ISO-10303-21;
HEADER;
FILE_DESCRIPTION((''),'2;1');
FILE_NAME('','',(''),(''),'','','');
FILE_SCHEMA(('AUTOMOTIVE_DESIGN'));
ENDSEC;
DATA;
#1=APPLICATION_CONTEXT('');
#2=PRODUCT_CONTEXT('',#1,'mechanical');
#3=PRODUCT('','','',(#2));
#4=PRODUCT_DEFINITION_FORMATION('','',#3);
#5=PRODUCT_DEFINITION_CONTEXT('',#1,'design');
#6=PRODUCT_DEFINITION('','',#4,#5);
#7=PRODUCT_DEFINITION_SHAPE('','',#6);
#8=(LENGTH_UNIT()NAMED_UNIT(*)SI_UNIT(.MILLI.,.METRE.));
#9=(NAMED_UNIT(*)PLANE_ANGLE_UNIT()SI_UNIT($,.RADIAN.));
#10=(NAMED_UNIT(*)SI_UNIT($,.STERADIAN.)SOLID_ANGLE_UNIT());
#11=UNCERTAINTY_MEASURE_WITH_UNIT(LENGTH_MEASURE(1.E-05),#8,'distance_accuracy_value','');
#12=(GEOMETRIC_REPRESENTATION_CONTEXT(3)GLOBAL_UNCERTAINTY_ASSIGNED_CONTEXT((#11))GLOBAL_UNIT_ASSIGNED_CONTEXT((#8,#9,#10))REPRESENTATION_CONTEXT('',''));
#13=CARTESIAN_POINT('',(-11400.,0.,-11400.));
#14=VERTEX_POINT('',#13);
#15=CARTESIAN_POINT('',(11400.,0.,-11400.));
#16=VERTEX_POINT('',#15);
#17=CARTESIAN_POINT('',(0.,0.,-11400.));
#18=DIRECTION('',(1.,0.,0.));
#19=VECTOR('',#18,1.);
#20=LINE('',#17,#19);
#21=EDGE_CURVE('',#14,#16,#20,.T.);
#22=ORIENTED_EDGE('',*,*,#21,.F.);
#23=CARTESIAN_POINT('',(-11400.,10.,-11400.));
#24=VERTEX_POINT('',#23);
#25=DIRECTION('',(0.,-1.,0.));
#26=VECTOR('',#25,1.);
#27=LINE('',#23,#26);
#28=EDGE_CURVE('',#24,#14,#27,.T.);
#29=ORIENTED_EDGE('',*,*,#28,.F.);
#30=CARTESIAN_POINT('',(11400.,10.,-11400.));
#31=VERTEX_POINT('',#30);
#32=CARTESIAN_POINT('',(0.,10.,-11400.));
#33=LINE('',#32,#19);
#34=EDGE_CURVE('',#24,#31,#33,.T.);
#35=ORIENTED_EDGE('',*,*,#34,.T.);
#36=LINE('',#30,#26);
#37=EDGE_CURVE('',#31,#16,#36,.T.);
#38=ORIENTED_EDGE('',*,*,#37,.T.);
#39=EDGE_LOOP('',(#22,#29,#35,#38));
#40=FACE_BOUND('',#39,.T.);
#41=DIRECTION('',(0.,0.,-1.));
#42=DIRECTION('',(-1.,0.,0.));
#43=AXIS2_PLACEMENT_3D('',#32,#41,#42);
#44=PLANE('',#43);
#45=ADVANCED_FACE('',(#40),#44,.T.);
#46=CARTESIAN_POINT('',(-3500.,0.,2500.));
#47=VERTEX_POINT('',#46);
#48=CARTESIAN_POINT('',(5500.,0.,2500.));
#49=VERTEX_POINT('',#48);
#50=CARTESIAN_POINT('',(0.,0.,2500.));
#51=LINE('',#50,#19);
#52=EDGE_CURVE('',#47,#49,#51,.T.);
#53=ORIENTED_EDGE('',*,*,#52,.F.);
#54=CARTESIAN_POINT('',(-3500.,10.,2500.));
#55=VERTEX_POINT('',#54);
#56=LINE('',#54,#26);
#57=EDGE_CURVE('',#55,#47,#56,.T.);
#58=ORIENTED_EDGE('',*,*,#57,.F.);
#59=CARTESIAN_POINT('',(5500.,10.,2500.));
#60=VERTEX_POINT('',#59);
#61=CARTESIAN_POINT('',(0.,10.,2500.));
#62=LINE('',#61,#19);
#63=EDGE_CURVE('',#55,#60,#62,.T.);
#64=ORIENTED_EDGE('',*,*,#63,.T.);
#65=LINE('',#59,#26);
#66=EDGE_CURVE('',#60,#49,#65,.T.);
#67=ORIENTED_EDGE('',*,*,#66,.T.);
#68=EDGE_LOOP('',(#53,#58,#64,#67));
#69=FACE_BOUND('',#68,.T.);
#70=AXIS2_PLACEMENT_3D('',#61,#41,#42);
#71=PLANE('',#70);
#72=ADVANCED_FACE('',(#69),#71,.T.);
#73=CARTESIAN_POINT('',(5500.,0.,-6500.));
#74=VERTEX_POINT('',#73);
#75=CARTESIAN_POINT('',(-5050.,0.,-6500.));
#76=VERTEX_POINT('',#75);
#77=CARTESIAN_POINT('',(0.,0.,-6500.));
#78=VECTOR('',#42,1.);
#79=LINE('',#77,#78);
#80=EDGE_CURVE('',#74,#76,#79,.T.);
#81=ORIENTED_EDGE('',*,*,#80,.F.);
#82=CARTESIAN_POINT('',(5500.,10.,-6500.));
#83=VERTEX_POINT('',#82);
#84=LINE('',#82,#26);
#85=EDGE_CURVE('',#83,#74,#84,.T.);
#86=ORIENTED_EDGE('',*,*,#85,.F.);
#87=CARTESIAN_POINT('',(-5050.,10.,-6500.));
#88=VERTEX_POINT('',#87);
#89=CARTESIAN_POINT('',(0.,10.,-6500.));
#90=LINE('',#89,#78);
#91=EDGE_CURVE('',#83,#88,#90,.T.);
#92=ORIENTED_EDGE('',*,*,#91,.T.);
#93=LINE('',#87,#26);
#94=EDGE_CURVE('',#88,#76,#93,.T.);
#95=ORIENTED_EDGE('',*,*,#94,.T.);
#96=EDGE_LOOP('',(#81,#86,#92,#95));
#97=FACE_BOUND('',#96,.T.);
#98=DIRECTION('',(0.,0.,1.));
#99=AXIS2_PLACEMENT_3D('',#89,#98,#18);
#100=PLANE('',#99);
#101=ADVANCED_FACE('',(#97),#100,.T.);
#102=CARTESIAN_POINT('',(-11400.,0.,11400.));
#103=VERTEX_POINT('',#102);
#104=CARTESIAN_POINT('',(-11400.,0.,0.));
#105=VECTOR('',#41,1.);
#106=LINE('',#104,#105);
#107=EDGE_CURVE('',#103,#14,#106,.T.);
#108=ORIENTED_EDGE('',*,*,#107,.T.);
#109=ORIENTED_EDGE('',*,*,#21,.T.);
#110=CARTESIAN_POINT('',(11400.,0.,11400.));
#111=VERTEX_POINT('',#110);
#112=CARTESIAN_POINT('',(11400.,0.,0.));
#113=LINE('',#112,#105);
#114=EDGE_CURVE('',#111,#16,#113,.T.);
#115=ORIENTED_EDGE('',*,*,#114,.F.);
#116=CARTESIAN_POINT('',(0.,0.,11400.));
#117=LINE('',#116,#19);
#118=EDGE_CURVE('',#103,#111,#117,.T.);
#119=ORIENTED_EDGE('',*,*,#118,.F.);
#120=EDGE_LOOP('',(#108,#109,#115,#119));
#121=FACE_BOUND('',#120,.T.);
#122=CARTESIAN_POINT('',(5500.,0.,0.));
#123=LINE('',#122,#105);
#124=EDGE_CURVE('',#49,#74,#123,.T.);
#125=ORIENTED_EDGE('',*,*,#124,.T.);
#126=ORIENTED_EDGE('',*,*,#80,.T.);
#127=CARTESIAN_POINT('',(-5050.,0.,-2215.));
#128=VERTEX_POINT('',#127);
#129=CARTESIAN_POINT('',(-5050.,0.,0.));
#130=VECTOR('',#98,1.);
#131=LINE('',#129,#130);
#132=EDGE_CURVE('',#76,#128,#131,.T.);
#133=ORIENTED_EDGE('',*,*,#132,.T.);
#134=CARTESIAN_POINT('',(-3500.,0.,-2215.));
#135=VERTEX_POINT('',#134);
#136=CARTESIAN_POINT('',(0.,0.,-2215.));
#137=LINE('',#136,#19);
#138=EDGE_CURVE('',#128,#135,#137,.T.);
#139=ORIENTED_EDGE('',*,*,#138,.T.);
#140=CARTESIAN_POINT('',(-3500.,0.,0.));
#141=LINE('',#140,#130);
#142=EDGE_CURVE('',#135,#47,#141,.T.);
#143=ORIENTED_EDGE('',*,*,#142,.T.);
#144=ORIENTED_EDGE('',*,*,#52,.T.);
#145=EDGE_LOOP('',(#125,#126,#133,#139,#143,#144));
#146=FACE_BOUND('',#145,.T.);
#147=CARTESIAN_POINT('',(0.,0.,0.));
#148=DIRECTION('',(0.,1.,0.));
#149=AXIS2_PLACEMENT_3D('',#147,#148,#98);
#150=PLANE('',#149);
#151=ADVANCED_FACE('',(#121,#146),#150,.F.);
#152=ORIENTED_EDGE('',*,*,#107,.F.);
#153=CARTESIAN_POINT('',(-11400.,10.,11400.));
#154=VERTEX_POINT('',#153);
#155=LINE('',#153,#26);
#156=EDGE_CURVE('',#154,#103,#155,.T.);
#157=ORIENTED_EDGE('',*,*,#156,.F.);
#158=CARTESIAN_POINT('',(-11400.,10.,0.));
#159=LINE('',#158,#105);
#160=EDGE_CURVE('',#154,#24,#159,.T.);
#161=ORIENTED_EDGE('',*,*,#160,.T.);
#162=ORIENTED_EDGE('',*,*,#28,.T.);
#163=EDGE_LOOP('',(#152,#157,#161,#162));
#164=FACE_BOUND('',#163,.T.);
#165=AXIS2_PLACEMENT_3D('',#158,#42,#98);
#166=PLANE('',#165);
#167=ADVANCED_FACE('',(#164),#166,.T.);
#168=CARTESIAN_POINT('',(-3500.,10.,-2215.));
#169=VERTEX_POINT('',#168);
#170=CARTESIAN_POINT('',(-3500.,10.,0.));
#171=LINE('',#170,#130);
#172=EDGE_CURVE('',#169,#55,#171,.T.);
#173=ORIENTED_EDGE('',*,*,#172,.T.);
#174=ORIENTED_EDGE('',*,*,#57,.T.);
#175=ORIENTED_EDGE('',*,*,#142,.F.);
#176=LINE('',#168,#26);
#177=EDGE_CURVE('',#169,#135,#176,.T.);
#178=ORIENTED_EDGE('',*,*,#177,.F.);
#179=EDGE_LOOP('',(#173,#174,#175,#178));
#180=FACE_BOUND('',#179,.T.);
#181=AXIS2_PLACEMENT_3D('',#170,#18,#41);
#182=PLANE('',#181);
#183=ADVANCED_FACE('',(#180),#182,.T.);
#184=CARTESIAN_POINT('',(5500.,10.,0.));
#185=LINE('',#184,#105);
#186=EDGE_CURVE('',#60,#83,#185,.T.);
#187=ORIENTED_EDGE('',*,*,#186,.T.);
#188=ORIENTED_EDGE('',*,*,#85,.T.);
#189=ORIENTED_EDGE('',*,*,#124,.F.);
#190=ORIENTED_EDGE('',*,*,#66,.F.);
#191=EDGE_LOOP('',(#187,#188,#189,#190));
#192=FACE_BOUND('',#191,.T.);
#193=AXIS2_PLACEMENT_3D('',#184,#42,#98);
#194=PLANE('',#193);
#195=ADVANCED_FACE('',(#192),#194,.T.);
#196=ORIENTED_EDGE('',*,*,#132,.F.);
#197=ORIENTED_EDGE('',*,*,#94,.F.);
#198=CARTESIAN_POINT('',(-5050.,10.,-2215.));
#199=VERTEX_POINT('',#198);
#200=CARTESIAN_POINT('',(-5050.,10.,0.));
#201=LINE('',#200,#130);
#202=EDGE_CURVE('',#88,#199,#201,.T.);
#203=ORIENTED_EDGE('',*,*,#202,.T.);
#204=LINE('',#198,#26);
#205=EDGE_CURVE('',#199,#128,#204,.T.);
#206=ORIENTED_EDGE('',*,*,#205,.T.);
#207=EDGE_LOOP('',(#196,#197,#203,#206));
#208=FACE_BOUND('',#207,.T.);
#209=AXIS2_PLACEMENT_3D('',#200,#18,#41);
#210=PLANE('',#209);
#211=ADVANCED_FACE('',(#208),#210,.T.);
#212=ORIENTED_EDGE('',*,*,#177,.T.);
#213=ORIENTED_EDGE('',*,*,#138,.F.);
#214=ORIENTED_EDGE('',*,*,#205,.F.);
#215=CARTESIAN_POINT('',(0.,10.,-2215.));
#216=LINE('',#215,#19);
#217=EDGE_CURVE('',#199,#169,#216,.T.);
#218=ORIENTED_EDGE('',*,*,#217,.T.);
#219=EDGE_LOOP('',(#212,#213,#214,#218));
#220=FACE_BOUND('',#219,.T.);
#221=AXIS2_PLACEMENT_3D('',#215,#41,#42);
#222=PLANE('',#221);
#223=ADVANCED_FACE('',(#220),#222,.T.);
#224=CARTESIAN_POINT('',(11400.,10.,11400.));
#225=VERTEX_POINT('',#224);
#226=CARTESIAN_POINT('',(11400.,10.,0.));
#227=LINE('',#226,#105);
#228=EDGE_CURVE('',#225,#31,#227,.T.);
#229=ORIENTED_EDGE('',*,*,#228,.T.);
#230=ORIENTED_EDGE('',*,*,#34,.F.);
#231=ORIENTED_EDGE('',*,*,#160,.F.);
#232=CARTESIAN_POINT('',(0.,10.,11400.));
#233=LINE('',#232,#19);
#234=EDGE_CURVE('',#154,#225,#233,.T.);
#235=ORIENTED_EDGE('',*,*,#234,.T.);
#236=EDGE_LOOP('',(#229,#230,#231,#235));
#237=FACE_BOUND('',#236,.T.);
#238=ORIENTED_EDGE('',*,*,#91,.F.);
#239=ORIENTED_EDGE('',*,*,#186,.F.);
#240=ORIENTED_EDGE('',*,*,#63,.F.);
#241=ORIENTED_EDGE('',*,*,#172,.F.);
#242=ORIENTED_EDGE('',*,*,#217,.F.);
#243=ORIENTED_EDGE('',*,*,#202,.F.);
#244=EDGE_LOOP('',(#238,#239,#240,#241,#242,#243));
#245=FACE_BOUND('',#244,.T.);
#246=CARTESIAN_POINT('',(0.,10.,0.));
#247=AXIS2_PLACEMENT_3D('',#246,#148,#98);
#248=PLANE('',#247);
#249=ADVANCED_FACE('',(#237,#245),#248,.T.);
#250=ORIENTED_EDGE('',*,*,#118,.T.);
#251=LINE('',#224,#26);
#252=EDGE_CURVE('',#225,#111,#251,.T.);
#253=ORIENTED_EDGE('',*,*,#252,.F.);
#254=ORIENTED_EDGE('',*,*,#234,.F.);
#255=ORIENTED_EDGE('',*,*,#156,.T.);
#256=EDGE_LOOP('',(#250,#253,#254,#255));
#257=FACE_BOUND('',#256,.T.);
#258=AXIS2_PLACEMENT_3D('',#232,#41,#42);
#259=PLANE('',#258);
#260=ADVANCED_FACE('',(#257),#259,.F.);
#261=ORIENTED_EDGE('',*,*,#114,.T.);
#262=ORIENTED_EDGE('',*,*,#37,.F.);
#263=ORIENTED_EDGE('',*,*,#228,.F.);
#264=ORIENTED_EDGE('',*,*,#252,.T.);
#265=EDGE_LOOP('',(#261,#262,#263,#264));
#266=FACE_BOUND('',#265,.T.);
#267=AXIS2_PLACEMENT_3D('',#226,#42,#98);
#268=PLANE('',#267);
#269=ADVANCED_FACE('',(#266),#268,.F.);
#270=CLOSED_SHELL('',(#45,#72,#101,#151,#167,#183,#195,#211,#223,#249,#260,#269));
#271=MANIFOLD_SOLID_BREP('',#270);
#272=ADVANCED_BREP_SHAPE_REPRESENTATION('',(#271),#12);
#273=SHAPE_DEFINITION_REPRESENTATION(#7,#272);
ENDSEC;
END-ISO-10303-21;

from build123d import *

# Parameters (mm, degrees)
SKETCH1_W           = 22800
SKETCH1_H           = 22800
BOSS_EXTRUDE1_DEPTH = 10


with BuildPart() as part:
    # Sketch1 → Boss-Extrude1 (new body)
    with BuildSketch(Plane(origin=(0, 0, 0), x_dir=(1, 0, 0), z_dir=(0, 1, 0))):
        Rectangle(SKETCH1_W, SKETCH1_H)
        Polygon((-3500, -2500), (5500, -2500), (5500, 6500), (-5050, 6500), (-5050, 2215), (-3500, 2215), align=None, mode=Mode.SUBTRACT)
    extrude(amount=BOSS_EXTRUDE1_DEPTH)


solid = part.part
